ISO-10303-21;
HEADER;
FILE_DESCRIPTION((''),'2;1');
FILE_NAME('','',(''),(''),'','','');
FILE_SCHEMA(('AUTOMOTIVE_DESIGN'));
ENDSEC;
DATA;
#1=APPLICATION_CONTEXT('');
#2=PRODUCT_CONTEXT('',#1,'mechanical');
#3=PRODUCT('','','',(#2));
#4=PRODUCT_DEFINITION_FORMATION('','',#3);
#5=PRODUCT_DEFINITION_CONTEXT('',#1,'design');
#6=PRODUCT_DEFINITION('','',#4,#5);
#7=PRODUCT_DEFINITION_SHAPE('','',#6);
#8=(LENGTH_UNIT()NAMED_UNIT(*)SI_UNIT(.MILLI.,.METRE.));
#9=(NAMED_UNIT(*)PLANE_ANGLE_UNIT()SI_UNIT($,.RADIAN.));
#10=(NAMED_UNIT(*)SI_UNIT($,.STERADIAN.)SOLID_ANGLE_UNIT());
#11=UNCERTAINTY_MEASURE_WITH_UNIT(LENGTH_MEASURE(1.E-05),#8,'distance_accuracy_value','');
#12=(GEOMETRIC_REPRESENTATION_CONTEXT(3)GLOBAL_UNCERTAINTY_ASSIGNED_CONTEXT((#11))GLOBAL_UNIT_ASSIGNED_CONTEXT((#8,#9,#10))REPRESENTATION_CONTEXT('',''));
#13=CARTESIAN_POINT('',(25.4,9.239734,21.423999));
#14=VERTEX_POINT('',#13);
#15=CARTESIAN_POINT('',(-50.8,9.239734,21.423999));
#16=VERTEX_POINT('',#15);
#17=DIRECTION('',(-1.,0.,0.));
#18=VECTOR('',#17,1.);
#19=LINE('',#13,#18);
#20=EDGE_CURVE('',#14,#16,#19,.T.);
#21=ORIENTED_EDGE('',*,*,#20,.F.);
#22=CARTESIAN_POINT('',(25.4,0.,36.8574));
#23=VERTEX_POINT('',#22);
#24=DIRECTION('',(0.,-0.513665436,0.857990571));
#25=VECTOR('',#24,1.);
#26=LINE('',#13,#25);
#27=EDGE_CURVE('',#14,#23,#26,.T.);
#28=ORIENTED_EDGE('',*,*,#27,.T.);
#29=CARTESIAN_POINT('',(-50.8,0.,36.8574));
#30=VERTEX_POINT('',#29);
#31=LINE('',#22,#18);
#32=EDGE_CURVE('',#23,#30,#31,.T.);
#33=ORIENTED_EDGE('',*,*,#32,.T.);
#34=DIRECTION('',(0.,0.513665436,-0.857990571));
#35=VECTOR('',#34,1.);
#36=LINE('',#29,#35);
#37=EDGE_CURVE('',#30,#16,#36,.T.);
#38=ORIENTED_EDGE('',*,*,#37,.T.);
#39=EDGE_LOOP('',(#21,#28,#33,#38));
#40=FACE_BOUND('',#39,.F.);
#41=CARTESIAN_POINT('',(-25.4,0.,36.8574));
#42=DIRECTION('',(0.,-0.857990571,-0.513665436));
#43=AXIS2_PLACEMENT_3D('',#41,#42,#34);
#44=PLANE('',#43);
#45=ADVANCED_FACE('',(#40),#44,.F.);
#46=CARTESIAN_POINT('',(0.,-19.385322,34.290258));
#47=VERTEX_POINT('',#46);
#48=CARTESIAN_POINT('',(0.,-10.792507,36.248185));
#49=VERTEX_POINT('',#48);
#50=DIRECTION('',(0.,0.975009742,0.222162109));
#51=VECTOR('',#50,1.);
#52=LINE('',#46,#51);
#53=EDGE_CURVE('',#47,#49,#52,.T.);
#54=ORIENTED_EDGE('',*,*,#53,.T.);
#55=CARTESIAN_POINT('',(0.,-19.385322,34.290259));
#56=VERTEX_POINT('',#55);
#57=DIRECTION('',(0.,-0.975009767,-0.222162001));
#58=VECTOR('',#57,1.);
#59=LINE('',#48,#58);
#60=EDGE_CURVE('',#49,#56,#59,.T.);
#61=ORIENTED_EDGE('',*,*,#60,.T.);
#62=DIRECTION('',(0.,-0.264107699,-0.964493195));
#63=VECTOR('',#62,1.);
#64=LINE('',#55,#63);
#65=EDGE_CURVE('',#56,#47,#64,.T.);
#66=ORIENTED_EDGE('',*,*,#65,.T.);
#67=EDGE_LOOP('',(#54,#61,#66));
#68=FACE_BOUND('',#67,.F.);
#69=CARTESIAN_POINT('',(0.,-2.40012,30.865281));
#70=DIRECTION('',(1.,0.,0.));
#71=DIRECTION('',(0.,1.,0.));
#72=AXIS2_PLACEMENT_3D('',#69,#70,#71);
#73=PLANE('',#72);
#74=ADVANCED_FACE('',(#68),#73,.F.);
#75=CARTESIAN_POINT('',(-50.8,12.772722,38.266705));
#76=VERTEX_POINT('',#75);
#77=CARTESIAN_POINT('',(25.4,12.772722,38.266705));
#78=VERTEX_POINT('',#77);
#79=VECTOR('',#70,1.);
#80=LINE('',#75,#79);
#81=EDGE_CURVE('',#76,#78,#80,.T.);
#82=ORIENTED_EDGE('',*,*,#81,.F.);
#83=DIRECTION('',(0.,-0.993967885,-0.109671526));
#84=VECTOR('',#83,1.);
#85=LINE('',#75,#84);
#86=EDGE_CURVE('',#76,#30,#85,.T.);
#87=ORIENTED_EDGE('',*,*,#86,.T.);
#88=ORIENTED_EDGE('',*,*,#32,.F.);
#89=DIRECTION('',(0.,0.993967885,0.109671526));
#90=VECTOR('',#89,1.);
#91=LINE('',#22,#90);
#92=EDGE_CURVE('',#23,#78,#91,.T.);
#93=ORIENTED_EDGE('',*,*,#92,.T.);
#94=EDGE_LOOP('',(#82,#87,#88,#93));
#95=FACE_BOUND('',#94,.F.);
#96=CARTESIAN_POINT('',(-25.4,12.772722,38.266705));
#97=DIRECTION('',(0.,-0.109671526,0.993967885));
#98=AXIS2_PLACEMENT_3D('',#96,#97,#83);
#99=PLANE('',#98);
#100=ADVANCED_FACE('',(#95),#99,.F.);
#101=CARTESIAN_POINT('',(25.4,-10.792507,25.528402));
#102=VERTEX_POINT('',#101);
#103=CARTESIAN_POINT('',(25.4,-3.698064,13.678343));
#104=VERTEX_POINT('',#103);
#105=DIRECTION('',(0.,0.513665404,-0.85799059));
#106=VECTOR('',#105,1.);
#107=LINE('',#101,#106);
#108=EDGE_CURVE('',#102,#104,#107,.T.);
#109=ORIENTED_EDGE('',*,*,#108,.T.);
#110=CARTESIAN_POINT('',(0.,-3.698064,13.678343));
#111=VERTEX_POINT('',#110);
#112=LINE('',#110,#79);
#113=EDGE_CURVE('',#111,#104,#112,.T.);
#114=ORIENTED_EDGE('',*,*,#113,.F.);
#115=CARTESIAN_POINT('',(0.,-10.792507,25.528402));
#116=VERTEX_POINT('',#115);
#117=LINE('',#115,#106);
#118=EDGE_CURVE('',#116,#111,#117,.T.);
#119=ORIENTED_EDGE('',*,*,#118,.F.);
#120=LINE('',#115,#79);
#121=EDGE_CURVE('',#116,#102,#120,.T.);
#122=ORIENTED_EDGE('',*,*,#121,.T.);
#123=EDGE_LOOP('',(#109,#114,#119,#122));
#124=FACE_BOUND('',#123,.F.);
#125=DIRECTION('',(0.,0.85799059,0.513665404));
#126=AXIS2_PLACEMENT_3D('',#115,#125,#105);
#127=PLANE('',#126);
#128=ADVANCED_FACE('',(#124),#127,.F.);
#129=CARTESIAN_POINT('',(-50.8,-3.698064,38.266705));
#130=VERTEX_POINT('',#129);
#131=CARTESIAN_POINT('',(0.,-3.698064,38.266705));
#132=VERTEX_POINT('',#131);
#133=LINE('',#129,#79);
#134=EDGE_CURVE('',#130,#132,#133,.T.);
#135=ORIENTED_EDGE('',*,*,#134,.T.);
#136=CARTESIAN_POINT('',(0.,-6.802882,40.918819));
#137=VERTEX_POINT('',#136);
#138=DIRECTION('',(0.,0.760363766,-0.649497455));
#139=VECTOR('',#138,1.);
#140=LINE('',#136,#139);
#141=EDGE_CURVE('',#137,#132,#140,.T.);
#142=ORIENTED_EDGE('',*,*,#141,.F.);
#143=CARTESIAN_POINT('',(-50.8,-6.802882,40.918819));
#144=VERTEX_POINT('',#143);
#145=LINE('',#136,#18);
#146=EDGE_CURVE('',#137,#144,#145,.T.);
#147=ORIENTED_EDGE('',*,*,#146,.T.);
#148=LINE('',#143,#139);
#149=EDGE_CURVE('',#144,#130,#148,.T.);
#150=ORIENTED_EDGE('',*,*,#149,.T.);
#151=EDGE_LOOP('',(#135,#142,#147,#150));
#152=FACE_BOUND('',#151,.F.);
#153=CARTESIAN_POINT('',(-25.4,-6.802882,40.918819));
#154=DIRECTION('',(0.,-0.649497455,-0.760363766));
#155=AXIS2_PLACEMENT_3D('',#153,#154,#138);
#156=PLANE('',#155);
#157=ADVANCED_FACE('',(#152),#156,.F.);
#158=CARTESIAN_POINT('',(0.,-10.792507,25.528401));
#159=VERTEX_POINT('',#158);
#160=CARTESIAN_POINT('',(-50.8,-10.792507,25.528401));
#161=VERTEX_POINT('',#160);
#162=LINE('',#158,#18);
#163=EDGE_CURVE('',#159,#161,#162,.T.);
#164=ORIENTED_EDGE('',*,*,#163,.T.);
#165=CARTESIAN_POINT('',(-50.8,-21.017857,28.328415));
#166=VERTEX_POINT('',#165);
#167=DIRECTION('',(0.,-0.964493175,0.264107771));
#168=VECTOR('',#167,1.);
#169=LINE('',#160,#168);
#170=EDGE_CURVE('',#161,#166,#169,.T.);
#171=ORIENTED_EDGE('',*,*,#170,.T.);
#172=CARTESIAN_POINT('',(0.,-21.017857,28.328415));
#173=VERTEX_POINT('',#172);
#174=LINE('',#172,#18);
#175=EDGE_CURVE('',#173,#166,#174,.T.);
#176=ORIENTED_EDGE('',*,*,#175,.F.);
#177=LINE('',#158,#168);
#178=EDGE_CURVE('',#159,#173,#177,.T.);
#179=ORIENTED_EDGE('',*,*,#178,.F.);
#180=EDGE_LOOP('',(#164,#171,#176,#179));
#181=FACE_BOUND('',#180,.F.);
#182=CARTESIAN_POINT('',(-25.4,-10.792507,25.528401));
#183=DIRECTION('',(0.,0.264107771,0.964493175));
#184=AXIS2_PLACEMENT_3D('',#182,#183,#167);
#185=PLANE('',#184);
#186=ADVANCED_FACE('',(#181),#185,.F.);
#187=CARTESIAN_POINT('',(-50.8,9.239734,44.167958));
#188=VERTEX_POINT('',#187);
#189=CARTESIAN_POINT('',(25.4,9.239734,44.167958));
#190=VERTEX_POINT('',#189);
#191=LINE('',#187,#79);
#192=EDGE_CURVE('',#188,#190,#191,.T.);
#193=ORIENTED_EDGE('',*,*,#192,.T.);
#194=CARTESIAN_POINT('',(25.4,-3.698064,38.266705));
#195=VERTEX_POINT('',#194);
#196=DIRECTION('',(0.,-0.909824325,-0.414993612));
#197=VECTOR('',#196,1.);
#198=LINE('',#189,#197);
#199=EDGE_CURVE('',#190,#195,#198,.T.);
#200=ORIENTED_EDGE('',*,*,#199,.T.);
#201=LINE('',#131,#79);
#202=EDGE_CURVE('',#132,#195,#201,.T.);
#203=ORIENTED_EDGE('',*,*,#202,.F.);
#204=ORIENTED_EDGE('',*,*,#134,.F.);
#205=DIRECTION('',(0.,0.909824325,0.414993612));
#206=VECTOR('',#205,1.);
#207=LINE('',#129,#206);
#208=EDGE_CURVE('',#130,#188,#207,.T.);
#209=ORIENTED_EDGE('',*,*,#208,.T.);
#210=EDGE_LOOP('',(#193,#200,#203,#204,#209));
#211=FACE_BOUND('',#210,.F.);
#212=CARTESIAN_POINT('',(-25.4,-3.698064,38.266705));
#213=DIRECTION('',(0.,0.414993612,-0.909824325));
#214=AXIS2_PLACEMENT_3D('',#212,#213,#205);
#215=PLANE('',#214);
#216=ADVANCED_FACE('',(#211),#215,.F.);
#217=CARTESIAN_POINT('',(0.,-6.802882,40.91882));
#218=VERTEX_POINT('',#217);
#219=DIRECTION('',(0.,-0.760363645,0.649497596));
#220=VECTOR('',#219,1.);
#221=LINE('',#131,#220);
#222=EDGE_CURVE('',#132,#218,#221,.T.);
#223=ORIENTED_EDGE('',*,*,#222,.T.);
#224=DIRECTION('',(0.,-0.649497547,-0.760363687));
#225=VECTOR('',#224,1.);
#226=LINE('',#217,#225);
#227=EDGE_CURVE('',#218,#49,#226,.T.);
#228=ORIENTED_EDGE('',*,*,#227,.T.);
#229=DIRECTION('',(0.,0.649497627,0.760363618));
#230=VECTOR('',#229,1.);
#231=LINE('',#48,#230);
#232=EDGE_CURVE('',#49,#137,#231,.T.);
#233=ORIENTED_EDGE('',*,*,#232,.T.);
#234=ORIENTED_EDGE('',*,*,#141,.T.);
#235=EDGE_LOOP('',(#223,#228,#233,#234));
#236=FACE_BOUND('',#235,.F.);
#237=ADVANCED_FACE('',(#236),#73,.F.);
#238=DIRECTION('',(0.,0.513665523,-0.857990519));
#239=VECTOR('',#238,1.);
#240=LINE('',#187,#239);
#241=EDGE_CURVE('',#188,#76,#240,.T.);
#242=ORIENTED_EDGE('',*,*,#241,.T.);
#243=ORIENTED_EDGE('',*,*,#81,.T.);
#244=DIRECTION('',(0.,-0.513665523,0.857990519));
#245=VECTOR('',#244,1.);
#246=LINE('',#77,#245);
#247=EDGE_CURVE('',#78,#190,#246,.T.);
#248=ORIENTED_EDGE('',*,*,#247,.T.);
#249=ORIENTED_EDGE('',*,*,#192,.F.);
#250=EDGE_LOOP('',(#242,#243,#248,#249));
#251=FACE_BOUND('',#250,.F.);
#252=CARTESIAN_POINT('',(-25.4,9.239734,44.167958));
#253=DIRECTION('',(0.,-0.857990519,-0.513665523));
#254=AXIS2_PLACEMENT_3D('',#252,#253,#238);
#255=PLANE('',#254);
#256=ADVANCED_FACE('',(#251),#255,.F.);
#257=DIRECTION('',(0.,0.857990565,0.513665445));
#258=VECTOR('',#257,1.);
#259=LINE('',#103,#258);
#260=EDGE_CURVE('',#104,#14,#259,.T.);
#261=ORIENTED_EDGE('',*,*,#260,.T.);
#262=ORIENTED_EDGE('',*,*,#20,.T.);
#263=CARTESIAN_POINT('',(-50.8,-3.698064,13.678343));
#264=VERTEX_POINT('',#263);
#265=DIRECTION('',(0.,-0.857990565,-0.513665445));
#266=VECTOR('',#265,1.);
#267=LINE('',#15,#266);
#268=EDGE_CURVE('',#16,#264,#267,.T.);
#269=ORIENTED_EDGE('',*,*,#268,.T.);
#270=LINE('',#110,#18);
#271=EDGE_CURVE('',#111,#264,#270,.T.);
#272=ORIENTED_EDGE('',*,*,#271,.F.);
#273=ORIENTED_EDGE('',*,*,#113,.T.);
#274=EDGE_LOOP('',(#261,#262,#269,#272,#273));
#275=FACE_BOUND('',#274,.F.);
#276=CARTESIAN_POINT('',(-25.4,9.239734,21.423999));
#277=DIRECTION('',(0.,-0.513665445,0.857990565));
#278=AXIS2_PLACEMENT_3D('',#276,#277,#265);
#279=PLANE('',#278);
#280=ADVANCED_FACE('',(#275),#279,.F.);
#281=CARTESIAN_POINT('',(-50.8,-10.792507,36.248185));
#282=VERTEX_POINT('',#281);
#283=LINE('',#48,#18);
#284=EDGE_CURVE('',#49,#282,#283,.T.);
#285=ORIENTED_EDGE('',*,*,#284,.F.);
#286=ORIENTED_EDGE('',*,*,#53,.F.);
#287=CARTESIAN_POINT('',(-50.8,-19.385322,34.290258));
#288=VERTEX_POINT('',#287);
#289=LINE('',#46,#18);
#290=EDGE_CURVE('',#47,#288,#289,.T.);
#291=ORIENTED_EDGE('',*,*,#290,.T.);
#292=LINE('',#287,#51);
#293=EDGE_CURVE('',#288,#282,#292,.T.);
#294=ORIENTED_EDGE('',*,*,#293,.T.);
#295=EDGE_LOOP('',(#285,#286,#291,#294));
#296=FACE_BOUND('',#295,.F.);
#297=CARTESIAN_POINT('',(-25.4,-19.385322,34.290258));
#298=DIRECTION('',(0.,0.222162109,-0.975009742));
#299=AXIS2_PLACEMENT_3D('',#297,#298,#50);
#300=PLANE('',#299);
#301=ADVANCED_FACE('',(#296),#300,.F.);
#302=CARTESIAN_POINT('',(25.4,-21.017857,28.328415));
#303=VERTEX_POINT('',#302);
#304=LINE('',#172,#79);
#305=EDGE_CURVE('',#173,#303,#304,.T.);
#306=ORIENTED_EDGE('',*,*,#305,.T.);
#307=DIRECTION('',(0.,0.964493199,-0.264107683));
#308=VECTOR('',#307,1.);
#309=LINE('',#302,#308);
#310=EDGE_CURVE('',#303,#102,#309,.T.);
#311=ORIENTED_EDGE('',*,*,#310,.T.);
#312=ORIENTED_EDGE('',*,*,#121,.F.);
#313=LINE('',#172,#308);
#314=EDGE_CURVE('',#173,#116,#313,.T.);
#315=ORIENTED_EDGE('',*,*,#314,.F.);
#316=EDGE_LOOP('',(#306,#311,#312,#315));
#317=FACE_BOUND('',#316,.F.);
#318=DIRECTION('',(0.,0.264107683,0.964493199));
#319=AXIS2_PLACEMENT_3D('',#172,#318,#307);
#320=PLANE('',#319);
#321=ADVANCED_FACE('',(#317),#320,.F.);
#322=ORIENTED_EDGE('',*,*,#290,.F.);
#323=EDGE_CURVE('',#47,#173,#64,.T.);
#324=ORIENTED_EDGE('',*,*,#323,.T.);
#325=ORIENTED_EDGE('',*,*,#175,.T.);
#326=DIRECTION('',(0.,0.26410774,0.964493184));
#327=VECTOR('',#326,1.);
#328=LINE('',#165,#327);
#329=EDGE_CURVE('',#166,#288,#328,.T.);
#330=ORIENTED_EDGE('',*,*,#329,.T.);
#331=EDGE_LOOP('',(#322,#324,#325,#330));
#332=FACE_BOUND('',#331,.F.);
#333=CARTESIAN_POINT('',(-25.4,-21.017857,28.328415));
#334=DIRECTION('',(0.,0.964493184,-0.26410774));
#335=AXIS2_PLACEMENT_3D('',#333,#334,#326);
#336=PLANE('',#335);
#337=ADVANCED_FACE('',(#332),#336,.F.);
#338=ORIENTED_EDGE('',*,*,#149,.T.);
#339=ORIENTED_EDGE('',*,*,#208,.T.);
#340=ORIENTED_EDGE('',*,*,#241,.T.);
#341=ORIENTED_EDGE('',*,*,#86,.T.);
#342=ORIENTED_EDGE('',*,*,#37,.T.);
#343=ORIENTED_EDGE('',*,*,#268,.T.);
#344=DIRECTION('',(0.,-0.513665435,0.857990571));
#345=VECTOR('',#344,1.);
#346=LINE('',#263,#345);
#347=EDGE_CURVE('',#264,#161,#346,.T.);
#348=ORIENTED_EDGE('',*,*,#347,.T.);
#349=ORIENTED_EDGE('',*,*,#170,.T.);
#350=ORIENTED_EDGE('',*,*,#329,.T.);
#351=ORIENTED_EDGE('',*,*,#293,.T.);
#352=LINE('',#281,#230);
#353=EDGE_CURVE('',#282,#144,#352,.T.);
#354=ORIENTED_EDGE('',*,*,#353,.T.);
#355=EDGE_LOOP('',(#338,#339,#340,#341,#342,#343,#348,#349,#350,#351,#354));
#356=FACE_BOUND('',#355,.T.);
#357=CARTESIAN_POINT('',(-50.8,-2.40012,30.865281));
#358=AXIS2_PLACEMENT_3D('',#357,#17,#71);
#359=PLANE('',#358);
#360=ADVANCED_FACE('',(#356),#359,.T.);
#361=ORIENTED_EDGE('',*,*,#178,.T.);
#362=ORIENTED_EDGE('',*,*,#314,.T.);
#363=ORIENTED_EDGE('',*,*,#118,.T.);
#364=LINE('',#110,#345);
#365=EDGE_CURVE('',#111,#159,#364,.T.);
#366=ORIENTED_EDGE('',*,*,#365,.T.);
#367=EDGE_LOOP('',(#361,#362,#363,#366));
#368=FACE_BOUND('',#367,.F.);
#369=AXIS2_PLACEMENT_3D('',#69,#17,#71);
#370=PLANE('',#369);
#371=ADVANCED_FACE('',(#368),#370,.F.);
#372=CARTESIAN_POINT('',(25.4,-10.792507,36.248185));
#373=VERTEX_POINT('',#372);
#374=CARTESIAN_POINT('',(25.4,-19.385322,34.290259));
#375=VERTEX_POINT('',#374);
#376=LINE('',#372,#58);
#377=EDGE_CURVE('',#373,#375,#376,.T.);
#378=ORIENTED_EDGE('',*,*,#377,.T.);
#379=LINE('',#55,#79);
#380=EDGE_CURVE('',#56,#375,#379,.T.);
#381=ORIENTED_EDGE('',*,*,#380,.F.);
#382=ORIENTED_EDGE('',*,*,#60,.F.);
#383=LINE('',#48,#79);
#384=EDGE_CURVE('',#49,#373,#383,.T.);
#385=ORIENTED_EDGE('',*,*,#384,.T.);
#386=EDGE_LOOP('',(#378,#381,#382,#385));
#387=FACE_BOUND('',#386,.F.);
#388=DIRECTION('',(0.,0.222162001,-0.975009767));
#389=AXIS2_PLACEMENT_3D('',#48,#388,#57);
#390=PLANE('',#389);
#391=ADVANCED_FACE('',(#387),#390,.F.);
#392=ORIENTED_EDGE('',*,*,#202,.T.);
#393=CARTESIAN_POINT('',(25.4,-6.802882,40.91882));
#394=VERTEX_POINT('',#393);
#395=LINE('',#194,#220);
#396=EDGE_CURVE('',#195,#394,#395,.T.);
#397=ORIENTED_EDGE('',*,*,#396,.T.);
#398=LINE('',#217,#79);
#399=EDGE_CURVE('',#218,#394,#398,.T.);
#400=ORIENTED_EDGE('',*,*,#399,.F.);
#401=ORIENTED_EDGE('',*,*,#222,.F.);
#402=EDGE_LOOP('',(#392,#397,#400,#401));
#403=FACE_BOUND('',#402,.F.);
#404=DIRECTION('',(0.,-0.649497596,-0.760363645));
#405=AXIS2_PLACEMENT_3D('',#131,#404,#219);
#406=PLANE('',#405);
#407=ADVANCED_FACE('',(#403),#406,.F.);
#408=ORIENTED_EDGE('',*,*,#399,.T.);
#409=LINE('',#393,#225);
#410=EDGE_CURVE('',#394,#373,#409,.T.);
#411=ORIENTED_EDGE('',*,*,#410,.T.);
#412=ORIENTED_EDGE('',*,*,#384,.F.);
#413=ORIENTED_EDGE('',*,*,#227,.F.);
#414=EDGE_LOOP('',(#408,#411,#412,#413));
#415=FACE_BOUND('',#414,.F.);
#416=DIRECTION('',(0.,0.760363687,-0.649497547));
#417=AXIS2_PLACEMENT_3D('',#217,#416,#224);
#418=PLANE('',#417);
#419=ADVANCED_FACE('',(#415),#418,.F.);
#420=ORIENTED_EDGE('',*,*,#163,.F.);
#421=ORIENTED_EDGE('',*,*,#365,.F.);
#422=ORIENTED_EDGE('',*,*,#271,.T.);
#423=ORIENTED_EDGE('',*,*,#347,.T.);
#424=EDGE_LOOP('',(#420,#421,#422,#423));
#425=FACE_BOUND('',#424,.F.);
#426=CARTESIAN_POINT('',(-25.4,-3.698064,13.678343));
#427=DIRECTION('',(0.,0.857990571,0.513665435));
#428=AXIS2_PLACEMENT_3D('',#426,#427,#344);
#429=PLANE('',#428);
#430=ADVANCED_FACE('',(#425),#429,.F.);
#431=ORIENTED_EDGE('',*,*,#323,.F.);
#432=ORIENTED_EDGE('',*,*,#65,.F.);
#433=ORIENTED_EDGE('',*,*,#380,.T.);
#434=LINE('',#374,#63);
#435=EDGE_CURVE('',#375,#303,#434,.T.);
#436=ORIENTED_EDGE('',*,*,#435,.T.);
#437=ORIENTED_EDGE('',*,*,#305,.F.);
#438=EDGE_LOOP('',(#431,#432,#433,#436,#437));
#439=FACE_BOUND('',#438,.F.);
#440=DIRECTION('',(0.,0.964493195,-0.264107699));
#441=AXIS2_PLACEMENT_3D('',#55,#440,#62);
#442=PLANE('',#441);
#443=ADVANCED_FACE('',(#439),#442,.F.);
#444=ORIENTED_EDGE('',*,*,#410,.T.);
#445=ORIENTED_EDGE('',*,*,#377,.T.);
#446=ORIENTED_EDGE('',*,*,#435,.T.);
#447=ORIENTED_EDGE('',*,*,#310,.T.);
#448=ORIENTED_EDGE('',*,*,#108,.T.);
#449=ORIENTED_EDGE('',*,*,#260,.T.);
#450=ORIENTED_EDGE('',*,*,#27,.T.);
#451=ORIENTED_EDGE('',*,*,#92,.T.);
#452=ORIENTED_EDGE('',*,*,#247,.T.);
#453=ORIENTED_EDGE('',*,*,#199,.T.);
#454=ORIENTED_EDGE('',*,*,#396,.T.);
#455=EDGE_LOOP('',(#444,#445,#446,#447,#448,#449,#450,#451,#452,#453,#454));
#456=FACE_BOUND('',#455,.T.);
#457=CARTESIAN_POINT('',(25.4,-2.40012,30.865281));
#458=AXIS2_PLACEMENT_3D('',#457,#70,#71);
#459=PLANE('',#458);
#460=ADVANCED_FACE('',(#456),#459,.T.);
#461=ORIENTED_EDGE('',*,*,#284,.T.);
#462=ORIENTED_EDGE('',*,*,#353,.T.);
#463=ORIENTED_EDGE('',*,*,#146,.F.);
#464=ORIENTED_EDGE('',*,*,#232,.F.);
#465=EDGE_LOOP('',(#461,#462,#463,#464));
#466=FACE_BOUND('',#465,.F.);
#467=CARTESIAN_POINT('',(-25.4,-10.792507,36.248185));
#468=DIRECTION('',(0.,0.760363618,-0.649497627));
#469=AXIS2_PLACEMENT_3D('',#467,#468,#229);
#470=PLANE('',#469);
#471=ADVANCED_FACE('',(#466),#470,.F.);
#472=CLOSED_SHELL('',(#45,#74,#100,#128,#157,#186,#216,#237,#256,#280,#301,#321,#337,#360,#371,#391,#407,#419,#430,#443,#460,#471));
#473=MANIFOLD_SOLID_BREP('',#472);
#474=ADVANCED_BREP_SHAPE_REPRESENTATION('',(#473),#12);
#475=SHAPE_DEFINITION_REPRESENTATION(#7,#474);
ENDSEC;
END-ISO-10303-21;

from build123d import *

# Parameters (mm, degrees)
F1_DEPTH = 25.4
F2_DEPTH = 25.4
F3_DEPTH = 25.4


with BuildPart() as f1:
    # F0 (on Right) → F1 (new body)
    with BuildSketch(Plane.YZ):
        Polygon((9.239734, 21.423999), (0, 36.8574), (12.772722, 38.266705), (9.239734, 44.167958), (-3.698064, 38.266705), (-6.802882, 40.91882), (-10.792507, 36.248185), (-19.385322, 34.290259), (-21.017857, 28.328415), (-10.792507, 25.528402), (-3.698064, 13.678343), align=None)
    extrude(amount=F1_DEPTH)

    # F1_face (on face) → F2 (join)
    with BuildSketch(Plane(origin=(0, -3.616962, 29.337162), x_dir=(0, 1, 0), z_dir=(-1, 0, 0))):
        Polygon((3.616962, -7.520238), (12.856696, 7.913163), (-0.081102, 15.658819), (-7.175545, 3.808761), (-17.400895, 1.008747), (-15.76836, -4.953096), (-7.175545, -6.911023), (-3.18592, -11.581657), (-0.081102, -8.929543), (12.856696, -14.830796), (16.389684, -8.929543), align=None)
    extrude(amount=F2_DEPTH)

    # F2_face (on face) → F3 (join)
    with BuildSketch(Plane(origin=(-25.4, -3.616962, 29.337162), x_dir=(0, 1, 0), z_dir=(-1, 0, 0))):
        Polygon((16.389684, -8.929543), (3.616962, -7.520238), (12.856696, 7.913163), (-0.081102, 15.658819), (-7.175545, 3.808761), (-17.400895, 1.008747), (-15.76836, -4.953096), (-7.175545, -6.911023), (-3.18592, -11.581657), (-0.081102, -8.929543), (12.856696, -14.830796), align=None)
    extrude(amount=F3_DEPTH)


solid = f1.part
